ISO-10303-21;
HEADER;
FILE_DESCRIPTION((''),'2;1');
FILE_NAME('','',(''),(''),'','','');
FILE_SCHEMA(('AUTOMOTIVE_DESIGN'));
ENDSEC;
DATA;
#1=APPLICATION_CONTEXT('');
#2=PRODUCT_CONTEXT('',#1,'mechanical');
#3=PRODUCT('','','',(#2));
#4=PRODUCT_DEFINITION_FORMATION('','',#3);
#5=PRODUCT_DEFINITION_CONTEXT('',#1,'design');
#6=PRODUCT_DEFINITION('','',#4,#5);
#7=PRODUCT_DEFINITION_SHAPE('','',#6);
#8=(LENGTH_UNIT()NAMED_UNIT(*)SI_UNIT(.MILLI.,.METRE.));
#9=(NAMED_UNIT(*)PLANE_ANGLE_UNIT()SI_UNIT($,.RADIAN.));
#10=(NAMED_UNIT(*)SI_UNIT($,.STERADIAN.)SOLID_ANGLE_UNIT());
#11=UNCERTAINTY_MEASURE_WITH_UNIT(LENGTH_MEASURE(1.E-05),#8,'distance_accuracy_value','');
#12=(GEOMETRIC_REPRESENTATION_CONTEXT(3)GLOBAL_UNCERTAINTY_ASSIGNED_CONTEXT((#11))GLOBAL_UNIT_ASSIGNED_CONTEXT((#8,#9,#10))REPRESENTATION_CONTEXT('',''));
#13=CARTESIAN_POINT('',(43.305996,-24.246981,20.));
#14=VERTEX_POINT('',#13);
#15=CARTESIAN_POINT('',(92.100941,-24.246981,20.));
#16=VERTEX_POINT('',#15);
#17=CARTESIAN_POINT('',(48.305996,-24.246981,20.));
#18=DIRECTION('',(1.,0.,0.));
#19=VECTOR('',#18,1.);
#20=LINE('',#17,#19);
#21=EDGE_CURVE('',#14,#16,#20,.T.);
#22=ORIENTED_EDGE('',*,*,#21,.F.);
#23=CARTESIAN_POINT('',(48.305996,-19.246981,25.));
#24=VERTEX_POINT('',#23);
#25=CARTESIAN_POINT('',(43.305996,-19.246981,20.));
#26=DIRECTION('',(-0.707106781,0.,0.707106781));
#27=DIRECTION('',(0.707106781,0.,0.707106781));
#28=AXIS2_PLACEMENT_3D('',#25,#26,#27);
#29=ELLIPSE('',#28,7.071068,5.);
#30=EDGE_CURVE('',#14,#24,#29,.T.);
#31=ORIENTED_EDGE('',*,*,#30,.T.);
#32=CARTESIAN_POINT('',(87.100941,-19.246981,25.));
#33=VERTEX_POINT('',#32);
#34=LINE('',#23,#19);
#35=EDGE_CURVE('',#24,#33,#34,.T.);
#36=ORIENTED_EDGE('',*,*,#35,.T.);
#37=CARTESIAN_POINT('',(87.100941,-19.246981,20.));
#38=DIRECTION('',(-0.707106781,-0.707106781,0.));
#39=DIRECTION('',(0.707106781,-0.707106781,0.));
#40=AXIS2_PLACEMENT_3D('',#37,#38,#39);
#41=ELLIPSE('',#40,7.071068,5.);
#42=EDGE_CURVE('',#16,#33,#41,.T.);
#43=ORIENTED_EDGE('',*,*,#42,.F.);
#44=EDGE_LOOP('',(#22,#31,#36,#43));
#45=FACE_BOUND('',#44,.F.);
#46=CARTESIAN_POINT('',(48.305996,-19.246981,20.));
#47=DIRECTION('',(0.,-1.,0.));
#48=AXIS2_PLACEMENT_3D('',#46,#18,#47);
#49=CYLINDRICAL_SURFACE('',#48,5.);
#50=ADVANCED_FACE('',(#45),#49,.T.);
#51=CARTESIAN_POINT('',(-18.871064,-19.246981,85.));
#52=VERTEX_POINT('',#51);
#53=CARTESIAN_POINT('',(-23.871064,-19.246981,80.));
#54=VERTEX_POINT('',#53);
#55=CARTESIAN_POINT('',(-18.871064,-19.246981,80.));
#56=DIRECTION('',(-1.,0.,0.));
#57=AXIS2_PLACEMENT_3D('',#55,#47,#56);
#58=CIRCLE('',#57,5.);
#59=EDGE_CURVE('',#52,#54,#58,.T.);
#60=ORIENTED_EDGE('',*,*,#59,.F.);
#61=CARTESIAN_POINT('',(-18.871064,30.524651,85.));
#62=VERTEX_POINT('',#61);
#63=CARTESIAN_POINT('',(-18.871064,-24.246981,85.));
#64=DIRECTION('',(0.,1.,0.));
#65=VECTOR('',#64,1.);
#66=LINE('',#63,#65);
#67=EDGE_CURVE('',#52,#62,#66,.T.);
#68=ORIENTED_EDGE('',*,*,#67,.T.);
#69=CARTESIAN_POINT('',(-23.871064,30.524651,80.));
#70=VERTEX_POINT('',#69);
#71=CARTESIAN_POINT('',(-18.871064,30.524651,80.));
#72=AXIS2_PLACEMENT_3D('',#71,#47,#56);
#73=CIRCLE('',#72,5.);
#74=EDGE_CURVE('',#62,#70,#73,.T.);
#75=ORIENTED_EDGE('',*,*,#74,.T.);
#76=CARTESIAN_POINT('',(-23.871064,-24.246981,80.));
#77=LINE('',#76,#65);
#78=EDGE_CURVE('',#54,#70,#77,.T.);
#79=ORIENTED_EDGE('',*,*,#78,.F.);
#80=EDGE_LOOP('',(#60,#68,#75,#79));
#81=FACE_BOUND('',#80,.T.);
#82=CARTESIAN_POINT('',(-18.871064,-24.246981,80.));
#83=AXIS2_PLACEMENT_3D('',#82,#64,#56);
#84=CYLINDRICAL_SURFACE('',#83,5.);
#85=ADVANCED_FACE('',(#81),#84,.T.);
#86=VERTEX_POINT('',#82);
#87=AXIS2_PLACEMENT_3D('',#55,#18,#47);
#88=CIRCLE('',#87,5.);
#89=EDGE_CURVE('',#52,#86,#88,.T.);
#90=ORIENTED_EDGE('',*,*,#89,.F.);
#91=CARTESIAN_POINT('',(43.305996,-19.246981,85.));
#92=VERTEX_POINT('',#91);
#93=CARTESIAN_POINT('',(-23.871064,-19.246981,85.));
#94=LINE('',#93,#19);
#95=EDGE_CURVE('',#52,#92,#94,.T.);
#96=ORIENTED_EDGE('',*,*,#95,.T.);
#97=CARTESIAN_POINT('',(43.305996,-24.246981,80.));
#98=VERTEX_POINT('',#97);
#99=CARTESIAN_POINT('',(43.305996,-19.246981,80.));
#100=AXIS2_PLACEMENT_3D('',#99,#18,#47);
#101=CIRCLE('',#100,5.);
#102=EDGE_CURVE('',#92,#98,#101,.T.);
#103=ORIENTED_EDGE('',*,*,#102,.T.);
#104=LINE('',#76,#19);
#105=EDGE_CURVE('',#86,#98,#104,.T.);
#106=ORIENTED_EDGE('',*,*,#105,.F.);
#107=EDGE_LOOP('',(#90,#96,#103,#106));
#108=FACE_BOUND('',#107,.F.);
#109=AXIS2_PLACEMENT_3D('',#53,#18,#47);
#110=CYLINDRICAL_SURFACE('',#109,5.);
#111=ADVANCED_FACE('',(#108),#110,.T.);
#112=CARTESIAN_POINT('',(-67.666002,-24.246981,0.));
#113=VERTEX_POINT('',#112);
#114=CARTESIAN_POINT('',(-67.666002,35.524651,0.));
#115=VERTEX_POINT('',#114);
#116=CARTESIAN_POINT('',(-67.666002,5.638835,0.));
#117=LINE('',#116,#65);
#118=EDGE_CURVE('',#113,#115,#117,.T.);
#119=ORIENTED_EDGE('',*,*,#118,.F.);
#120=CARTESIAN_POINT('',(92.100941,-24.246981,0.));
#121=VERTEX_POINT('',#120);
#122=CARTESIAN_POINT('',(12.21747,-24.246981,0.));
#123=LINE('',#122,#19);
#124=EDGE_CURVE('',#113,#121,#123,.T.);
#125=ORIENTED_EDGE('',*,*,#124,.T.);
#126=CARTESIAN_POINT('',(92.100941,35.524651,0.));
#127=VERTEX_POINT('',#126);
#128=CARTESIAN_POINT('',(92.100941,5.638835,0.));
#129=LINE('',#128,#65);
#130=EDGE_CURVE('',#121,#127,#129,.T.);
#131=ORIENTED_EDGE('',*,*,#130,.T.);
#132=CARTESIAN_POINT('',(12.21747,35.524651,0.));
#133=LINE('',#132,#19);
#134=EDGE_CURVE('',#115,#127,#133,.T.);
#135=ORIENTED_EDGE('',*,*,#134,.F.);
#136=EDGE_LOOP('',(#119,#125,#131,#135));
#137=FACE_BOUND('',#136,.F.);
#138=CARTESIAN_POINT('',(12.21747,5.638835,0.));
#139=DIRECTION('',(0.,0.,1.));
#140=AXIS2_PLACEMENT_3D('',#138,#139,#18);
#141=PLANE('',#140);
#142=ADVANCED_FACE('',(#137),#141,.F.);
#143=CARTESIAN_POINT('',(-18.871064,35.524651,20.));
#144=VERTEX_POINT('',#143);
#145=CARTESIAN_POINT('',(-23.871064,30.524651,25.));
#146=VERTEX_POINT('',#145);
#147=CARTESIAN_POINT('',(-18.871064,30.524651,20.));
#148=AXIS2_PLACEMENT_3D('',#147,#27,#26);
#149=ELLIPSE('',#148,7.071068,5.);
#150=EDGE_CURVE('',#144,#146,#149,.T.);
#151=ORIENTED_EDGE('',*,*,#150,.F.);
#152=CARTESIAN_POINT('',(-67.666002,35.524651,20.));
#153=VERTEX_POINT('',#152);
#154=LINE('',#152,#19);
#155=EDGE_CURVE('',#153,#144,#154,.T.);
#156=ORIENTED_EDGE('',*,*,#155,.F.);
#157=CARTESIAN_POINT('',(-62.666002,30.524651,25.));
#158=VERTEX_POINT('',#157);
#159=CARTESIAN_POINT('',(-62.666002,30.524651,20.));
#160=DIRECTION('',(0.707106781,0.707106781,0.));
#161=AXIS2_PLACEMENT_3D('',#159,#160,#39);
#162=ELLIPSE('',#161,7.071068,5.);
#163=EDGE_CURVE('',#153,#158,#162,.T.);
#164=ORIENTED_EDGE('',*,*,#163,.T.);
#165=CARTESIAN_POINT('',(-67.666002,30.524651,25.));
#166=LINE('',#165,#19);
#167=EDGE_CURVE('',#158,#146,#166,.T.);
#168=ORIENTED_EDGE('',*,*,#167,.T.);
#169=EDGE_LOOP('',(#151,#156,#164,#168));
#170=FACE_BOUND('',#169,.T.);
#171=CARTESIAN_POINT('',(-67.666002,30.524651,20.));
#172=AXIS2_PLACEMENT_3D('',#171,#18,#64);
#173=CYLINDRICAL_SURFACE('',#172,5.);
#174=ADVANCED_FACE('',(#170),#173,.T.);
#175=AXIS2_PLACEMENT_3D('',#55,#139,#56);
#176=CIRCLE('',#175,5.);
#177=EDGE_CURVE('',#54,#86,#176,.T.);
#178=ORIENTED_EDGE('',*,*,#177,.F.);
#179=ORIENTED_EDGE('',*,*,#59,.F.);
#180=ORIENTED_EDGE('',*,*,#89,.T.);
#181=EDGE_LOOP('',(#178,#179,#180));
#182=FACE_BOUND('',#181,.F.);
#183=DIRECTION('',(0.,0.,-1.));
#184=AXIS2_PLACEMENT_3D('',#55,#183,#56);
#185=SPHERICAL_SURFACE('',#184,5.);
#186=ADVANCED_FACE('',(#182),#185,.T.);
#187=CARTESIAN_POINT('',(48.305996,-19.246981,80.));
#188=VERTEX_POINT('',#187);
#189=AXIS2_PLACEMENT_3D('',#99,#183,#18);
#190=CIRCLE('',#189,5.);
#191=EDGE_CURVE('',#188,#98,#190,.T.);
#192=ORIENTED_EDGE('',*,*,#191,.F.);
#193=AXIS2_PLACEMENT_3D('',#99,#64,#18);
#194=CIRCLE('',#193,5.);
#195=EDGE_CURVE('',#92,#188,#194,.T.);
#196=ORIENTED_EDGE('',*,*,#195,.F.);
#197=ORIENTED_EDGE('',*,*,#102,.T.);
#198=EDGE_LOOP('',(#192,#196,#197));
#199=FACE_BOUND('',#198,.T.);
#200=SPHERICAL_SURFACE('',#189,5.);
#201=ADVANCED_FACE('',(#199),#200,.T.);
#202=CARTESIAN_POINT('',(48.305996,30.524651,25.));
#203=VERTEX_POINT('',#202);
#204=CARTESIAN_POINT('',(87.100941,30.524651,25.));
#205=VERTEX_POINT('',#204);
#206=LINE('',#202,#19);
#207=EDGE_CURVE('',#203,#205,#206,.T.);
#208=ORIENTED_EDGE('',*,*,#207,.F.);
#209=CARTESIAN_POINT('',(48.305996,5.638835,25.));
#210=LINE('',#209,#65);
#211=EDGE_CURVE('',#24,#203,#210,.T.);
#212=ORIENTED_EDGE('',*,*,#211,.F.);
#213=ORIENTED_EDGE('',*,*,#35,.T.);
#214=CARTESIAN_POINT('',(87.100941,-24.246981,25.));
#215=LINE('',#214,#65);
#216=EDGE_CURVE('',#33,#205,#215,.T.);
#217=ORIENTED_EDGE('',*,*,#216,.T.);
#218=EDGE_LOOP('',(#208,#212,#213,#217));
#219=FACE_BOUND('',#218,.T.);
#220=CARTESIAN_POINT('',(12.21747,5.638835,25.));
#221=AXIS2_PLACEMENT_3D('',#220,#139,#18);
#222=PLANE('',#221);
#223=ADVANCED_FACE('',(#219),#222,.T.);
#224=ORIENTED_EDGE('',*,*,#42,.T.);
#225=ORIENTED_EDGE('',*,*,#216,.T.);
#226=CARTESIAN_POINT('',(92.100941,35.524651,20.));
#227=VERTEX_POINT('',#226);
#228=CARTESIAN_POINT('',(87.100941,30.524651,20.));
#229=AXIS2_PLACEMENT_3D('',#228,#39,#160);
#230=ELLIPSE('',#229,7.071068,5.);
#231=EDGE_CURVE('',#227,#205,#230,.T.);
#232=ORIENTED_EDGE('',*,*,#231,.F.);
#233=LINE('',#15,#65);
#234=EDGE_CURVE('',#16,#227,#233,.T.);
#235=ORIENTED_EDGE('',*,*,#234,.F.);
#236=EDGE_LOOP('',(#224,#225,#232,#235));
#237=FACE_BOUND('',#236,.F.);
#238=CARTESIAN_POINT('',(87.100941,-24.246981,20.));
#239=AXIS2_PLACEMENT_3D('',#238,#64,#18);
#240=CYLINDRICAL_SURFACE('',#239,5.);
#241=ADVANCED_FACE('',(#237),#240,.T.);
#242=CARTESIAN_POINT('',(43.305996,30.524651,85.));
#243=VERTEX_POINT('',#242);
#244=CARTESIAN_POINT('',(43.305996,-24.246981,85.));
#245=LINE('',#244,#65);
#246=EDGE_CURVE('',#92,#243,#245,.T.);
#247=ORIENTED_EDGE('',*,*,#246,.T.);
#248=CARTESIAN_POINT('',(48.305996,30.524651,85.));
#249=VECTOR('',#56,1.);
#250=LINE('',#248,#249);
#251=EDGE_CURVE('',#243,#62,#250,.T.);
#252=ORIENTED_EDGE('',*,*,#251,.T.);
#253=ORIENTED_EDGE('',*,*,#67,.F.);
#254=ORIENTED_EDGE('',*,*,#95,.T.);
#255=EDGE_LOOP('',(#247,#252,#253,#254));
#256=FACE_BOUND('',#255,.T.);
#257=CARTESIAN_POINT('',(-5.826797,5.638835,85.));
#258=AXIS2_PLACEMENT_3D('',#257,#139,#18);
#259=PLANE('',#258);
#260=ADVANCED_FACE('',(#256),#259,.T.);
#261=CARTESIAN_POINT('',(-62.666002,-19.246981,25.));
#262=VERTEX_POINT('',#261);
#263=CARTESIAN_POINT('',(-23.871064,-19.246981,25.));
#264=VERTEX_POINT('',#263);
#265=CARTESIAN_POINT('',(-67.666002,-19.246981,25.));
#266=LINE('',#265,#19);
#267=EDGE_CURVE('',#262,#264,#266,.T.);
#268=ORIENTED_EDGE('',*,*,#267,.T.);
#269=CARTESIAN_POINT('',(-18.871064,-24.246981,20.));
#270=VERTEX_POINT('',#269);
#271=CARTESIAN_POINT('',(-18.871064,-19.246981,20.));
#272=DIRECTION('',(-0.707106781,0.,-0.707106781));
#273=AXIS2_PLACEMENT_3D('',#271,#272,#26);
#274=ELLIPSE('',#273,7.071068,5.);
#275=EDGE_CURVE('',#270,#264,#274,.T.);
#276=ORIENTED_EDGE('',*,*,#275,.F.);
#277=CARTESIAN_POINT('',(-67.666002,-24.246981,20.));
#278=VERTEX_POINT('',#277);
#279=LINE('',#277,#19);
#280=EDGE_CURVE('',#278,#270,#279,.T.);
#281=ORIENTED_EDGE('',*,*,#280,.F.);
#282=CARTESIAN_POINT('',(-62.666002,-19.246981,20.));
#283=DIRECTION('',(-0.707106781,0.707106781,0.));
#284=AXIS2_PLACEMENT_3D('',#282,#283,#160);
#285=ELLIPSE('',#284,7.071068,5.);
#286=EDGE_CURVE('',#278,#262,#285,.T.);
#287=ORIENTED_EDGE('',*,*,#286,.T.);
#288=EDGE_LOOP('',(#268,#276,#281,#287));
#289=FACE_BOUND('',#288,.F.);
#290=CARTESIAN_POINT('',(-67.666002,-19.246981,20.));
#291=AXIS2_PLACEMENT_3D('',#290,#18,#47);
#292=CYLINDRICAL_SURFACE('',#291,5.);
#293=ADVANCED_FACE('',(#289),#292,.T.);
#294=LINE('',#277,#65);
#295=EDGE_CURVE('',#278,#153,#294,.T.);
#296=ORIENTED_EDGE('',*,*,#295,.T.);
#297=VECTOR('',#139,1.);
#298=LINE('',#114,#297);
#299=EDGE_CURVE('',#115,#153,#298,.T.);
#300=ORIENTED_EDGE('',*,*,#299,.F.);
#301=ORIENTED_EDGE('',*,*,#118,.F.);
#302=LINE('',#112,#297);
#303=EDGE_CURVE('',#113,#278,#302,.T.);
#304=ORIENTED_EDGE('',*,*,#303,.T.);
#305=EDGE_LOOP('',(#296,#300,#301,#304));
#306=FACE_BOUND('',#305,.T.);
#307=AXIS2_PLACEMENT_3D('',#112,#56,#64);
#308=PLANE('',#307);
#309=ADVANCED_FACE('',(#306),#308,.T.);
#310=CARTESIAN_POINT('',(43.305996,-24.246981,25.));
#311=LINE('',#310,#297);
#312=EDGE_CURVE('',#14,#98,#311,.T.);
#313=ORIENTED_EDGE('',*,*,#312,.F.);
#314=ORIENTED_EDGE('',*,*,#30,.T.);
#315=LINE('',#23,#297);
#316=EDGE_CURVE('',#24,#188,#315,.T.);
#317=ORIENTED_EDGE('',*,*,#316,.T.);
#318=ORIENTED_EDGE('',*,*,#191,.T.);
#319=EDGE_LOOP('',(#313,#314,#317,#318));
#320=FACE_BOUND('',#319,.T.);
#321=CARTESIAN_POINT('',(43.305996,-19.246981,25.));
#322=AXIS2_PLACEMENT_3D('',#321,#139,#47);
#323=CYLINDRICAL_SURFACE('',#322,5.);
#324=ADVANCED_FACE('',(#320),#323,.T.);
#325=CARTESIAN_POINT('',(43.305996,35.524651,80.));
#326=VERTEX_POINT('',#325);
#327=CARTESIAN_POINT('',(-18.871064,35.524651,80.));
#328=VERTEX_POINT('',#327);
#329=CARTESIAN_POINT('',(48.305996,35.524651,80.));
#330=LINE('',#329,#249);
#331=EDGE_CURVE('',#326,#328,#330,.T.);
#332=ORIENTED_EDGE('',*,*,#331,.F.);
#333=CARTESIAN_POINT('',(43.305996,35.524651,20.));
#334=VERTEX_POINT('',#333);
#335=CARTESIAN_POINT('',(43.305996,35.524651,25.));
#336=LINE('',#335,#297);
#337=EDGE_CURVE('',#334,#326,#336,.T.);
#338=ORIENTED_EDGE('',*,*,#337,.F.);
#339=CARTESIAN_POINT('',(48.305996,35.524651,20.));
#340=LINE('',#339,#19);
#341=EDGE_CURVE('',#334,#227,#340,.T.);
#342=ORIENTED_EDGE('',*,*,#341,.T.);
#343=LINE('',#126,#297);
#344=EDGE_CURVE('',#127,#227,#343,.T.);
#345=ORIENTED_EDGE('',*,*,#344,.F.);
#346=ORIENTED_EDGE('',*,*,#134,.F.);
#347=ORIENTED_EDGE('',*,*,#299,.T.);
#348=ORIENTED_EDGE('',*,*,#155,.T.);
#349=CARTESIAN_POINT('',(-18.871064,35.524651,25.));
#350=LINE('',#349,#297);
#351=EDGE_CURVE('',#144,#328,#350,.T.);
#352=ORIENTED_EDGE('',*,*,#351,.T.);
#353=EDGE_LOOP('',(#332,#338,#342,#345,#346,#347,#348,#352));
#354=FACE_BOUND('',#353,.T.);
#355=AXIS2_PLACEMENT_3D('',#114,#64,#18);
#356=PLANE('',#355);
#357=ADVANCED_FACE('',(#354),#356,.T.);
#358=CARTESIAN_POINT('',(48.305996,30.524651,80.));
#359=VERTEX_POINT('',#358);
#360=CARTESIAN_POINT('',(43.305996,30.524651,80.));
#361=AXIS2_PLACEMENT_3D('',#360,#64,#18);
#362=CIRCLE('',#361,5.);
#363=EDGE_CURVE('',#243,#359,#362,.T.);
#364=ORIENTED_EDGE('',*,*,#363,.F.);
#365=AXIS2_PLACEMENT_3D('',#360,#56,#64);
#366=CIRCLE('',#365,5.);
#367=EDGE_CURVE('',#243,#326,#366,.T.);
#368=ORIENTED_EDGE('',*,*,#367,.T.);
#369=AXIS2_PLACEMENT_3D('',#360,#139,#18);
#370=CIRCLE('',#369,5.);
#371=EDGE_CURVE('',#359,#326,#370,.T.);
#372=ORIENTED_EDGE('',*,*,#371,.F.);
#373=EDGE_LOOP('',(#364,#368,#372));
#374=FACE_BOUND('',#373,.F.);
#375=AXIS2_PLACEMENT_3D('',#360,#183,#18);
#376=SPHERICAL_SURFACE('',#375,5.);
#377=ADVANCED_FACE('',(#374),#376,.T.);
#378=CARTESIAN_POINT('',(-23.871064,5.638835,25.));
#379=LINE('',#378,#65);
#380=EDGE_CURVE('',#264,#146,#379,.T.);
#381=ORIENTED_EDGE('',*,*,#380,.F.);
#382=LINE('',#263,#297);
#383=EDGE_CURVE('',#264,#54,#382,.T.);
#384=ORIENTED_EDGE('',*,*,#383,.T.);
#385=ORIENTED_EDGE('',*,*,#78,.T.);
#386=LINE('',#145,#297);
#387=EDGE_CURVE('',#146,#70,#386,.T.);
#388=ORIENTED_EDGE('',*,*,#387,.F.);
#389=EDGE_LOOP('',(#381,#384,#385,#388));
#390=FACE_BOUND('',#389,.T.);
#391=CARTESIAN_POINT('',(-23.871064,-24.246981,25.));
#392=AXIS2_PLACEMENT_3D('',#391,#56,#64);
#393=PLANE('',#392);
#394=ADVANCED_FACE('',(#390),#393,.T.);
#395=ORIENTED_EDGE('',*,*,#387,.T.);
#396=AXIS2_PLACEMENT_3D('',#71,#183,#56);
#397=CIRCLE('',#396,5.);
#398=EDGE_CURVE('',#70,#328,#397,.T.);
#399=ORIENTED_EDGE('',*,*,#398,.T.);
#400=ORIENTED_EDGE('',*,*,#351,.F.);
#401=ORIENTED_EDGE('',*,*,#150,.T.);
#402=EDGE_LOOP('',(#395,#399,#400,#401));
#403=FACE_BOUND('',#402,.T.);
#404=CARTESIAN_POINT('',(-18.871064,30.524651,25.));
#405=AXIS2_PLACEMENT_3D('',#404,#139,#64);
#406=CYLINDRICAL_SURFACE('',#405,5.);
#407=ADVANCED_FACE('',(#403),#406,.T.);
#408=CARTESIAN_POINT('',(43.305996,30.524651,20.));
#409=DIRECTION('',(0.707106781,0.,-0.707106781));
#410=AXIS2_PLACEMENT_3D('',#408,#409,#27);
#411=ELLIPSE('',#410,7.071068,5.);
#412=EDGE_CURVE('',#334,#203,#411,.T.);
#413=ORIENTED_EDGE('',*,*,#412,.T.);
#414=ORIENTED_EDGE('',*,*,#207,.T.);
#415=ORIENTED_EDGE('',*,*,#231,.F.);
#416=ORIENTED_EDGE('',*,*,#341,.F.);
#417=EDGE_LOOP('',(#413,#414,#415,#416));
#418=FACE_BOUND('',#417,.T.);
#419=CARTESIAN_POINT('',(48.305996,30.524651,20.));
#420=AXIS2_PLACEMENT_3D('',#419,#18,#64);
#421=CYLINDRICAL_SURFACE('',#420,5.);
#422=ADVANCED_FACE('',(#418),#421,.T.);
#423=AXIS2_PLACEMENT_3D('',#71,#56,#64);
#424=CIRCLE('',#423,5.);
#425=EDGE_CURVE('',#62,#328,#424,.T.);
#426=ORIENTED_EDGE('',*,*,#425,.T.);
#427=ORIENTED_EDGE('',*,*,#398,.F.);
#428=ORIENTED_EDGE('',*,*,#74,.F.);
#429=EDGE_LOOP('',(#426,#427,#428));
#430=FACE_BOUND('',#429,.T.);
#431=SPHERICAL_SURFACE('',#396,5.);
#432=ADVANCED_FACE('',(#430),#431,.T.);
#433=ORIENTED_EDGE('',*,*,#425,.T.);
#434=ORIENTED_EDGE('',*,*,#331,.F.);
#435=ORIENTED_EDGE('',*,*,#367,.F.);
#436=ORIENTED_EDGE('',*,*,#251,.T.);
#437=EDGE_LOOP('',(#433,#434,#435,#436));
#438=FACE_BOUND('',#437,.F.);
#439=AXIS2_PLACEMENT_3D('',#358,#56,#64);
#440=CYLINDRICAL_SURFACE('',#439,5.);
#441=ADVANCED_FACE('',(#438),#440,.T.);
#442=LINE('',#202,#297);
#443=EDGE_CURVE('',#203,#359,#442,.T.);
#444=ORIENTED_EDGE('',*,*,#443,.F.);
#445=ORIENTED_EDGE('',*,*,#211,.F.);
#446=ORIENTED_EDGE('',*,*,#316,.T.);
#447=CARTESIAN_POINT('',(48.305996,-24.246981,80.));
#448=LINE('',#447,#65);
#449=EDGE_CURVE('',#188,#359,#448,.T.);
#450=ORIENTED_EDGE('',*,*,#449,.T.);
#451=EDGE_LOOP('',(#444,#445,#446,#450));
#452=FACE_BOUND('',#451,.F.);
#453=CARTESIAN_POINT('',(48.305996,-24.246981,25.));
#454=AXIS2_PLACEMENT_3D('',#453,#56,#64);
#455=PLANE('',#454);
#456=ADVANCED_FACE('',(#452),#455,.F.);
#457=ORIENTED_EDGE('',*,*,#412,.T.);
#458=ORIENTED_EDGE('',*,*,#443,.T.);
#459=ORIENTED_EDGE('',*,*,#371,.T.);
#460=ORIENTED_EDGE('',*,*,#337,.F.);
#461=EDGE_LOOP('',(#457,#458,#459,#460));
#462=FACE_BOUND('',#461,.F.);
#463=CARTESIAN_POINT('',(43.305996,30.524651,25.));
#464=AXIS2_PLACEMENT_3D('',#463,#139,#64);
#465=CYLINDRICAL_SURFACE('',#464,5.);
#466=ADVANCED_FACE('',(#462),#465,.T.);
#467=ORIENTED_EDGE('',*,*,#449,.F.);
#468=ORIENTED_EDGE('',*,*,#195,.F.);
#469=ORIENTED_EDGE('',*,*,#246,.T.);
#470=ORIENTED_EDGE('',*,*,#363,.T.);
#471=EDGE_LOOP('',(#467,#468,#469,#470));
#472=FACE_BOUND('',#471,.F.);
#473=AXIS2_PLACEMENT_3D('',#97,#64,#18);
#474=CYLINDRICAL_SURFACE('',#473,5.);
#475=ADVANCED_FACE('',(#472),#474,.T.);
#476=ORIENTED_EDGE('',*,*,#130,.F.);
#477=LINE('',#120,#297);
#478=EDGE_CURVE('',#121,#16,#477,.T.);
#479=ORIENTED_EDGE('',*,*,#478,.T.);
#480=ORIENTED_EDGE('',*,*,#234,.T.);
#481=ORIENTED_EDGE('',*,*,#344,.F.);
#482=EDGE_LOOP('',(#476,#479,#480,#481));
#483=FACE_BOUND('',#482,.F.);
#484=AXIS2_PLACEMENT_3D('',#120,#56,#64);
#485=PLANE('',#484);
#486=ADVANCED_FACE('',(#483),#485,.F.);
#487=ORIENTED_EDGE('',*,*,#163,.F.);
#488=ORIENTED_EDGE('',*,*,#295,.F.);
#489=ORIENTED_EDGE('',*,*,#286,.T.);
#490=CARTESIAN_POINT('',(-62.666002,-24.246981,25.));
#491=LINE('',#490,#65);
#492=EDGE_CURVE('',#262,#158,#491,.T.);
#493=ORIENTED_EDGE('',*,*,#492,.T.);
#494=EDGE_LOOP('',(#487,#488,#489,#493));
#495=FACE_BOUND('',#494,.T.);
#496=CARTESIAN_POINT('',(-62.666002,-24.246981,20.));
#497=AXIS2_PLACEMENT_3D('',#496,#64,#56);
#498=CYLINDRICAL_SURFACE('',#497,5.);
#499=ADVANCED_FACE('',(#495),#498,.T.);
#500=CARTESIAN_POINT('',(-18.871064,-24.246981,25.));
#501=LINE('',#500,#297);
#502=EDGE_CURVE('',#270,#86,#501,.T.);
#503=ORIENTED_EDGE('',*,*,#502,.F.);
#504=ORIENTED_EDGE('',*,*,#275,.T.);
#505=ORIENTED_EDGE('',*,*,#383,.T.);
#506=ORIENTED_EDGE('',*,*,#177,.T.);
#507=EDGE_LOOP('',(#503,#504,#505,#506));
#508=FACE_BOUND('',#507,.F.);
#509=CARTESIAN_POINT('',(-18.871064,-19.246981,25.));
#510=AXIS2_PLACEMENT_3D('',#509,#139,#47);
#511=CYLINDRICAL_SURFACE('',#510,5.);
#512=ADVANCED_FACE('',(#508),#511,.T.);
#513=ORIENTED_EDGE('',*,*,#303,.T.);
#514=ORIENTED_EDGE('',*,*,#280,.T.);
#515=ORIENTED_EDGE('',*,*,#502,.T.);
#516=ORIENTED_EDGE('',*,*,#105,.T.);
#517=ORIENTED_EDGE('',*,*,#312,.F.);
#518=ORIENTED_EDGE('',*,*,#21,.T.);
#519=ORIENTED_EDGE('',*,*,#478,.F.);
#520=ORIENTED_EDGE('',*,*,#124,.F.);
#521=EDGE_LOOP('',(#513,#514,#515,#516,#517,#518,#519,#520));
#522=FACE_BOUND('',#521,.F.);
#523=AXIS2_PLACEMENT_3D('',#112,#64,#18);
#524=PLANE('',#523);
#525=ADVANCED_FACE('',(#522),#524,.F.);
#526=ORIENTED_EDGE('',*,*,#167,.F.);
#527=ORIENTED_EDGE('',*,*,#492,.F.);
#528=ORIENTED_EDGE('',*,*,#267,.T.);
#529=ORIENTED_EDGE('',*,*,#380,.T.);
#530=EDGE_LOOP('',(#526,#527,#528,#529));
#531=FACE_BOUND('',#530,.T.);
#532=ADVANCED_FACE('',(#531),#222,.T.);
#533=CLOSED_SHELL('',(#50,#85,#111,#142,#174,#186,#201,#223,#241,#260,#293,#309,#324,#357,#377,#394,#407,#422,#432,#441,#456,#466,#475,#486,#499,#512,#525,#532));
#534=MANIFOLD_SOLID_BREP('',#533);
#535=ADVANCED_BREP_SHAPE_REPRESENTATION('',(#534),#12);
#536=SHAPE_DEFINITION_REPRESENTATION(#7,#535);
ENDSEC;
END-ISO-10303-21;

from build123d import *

# Parameters (mm, degrees)
F0_W     = 159.7669422626
F0_H     = 59.7716327757
F1_DEPTH = 25
F2_W     = 36.0885336995
F2_H     = 59.7716327757
F2_W_2   = 36.0885262489
F3_DEPTH = 60
F4_R     = 5


with BuildPart() as f1:
    # F0 (on Top) → F1 (new body)
    with BuildSketch(Plane.XY):
        with Locations((12.2174695134, 5.6388350204)):
            Rectangle(F0_W, F0_H)
    extrude(amount=F1_DEPTH)

    # F2 (on face) → F3 (join)
    with BuildSketch(Plane.XY.offset(25)):
        with Locations((-5.8267973363, 5.6388350204)):
            Rectangle(F2_W, F2_H)
        with Locations((30.2617326379, 5.6388350204)):
            Rectangle(F2_W_2, F2_H)
    extrude(amount=F3_DEPTH)

    # F4
    f4_edges = [f1.edges().sort_by_distance(p)[0] for p in [
        (-23.871064, -24.246981, 55),
        (-23.871064, 35.524651, 55),
        (48.305996, -24.246981, 55),
        (-45.768533, -24.246981, 25),
        (-45.768533, 35.524651, 25),
        (70.203468, -24.246981, 25),
        (70.203468, 35.524651, 25),
        (48.305996, 35.524651, 55),
        (-67.666002, 5.638835, 25),
        (92.100941, 5.638835, 25),
        (48.305996, 5.638835, 85),
        (-23.871064, 5.638835, 85),
        (12.217466, 35.524651, 85),
        (12.217466, -24.246981, 85),
    ]]
    fillet(f4_edges, radius=F4_R)


solid = f1.part
